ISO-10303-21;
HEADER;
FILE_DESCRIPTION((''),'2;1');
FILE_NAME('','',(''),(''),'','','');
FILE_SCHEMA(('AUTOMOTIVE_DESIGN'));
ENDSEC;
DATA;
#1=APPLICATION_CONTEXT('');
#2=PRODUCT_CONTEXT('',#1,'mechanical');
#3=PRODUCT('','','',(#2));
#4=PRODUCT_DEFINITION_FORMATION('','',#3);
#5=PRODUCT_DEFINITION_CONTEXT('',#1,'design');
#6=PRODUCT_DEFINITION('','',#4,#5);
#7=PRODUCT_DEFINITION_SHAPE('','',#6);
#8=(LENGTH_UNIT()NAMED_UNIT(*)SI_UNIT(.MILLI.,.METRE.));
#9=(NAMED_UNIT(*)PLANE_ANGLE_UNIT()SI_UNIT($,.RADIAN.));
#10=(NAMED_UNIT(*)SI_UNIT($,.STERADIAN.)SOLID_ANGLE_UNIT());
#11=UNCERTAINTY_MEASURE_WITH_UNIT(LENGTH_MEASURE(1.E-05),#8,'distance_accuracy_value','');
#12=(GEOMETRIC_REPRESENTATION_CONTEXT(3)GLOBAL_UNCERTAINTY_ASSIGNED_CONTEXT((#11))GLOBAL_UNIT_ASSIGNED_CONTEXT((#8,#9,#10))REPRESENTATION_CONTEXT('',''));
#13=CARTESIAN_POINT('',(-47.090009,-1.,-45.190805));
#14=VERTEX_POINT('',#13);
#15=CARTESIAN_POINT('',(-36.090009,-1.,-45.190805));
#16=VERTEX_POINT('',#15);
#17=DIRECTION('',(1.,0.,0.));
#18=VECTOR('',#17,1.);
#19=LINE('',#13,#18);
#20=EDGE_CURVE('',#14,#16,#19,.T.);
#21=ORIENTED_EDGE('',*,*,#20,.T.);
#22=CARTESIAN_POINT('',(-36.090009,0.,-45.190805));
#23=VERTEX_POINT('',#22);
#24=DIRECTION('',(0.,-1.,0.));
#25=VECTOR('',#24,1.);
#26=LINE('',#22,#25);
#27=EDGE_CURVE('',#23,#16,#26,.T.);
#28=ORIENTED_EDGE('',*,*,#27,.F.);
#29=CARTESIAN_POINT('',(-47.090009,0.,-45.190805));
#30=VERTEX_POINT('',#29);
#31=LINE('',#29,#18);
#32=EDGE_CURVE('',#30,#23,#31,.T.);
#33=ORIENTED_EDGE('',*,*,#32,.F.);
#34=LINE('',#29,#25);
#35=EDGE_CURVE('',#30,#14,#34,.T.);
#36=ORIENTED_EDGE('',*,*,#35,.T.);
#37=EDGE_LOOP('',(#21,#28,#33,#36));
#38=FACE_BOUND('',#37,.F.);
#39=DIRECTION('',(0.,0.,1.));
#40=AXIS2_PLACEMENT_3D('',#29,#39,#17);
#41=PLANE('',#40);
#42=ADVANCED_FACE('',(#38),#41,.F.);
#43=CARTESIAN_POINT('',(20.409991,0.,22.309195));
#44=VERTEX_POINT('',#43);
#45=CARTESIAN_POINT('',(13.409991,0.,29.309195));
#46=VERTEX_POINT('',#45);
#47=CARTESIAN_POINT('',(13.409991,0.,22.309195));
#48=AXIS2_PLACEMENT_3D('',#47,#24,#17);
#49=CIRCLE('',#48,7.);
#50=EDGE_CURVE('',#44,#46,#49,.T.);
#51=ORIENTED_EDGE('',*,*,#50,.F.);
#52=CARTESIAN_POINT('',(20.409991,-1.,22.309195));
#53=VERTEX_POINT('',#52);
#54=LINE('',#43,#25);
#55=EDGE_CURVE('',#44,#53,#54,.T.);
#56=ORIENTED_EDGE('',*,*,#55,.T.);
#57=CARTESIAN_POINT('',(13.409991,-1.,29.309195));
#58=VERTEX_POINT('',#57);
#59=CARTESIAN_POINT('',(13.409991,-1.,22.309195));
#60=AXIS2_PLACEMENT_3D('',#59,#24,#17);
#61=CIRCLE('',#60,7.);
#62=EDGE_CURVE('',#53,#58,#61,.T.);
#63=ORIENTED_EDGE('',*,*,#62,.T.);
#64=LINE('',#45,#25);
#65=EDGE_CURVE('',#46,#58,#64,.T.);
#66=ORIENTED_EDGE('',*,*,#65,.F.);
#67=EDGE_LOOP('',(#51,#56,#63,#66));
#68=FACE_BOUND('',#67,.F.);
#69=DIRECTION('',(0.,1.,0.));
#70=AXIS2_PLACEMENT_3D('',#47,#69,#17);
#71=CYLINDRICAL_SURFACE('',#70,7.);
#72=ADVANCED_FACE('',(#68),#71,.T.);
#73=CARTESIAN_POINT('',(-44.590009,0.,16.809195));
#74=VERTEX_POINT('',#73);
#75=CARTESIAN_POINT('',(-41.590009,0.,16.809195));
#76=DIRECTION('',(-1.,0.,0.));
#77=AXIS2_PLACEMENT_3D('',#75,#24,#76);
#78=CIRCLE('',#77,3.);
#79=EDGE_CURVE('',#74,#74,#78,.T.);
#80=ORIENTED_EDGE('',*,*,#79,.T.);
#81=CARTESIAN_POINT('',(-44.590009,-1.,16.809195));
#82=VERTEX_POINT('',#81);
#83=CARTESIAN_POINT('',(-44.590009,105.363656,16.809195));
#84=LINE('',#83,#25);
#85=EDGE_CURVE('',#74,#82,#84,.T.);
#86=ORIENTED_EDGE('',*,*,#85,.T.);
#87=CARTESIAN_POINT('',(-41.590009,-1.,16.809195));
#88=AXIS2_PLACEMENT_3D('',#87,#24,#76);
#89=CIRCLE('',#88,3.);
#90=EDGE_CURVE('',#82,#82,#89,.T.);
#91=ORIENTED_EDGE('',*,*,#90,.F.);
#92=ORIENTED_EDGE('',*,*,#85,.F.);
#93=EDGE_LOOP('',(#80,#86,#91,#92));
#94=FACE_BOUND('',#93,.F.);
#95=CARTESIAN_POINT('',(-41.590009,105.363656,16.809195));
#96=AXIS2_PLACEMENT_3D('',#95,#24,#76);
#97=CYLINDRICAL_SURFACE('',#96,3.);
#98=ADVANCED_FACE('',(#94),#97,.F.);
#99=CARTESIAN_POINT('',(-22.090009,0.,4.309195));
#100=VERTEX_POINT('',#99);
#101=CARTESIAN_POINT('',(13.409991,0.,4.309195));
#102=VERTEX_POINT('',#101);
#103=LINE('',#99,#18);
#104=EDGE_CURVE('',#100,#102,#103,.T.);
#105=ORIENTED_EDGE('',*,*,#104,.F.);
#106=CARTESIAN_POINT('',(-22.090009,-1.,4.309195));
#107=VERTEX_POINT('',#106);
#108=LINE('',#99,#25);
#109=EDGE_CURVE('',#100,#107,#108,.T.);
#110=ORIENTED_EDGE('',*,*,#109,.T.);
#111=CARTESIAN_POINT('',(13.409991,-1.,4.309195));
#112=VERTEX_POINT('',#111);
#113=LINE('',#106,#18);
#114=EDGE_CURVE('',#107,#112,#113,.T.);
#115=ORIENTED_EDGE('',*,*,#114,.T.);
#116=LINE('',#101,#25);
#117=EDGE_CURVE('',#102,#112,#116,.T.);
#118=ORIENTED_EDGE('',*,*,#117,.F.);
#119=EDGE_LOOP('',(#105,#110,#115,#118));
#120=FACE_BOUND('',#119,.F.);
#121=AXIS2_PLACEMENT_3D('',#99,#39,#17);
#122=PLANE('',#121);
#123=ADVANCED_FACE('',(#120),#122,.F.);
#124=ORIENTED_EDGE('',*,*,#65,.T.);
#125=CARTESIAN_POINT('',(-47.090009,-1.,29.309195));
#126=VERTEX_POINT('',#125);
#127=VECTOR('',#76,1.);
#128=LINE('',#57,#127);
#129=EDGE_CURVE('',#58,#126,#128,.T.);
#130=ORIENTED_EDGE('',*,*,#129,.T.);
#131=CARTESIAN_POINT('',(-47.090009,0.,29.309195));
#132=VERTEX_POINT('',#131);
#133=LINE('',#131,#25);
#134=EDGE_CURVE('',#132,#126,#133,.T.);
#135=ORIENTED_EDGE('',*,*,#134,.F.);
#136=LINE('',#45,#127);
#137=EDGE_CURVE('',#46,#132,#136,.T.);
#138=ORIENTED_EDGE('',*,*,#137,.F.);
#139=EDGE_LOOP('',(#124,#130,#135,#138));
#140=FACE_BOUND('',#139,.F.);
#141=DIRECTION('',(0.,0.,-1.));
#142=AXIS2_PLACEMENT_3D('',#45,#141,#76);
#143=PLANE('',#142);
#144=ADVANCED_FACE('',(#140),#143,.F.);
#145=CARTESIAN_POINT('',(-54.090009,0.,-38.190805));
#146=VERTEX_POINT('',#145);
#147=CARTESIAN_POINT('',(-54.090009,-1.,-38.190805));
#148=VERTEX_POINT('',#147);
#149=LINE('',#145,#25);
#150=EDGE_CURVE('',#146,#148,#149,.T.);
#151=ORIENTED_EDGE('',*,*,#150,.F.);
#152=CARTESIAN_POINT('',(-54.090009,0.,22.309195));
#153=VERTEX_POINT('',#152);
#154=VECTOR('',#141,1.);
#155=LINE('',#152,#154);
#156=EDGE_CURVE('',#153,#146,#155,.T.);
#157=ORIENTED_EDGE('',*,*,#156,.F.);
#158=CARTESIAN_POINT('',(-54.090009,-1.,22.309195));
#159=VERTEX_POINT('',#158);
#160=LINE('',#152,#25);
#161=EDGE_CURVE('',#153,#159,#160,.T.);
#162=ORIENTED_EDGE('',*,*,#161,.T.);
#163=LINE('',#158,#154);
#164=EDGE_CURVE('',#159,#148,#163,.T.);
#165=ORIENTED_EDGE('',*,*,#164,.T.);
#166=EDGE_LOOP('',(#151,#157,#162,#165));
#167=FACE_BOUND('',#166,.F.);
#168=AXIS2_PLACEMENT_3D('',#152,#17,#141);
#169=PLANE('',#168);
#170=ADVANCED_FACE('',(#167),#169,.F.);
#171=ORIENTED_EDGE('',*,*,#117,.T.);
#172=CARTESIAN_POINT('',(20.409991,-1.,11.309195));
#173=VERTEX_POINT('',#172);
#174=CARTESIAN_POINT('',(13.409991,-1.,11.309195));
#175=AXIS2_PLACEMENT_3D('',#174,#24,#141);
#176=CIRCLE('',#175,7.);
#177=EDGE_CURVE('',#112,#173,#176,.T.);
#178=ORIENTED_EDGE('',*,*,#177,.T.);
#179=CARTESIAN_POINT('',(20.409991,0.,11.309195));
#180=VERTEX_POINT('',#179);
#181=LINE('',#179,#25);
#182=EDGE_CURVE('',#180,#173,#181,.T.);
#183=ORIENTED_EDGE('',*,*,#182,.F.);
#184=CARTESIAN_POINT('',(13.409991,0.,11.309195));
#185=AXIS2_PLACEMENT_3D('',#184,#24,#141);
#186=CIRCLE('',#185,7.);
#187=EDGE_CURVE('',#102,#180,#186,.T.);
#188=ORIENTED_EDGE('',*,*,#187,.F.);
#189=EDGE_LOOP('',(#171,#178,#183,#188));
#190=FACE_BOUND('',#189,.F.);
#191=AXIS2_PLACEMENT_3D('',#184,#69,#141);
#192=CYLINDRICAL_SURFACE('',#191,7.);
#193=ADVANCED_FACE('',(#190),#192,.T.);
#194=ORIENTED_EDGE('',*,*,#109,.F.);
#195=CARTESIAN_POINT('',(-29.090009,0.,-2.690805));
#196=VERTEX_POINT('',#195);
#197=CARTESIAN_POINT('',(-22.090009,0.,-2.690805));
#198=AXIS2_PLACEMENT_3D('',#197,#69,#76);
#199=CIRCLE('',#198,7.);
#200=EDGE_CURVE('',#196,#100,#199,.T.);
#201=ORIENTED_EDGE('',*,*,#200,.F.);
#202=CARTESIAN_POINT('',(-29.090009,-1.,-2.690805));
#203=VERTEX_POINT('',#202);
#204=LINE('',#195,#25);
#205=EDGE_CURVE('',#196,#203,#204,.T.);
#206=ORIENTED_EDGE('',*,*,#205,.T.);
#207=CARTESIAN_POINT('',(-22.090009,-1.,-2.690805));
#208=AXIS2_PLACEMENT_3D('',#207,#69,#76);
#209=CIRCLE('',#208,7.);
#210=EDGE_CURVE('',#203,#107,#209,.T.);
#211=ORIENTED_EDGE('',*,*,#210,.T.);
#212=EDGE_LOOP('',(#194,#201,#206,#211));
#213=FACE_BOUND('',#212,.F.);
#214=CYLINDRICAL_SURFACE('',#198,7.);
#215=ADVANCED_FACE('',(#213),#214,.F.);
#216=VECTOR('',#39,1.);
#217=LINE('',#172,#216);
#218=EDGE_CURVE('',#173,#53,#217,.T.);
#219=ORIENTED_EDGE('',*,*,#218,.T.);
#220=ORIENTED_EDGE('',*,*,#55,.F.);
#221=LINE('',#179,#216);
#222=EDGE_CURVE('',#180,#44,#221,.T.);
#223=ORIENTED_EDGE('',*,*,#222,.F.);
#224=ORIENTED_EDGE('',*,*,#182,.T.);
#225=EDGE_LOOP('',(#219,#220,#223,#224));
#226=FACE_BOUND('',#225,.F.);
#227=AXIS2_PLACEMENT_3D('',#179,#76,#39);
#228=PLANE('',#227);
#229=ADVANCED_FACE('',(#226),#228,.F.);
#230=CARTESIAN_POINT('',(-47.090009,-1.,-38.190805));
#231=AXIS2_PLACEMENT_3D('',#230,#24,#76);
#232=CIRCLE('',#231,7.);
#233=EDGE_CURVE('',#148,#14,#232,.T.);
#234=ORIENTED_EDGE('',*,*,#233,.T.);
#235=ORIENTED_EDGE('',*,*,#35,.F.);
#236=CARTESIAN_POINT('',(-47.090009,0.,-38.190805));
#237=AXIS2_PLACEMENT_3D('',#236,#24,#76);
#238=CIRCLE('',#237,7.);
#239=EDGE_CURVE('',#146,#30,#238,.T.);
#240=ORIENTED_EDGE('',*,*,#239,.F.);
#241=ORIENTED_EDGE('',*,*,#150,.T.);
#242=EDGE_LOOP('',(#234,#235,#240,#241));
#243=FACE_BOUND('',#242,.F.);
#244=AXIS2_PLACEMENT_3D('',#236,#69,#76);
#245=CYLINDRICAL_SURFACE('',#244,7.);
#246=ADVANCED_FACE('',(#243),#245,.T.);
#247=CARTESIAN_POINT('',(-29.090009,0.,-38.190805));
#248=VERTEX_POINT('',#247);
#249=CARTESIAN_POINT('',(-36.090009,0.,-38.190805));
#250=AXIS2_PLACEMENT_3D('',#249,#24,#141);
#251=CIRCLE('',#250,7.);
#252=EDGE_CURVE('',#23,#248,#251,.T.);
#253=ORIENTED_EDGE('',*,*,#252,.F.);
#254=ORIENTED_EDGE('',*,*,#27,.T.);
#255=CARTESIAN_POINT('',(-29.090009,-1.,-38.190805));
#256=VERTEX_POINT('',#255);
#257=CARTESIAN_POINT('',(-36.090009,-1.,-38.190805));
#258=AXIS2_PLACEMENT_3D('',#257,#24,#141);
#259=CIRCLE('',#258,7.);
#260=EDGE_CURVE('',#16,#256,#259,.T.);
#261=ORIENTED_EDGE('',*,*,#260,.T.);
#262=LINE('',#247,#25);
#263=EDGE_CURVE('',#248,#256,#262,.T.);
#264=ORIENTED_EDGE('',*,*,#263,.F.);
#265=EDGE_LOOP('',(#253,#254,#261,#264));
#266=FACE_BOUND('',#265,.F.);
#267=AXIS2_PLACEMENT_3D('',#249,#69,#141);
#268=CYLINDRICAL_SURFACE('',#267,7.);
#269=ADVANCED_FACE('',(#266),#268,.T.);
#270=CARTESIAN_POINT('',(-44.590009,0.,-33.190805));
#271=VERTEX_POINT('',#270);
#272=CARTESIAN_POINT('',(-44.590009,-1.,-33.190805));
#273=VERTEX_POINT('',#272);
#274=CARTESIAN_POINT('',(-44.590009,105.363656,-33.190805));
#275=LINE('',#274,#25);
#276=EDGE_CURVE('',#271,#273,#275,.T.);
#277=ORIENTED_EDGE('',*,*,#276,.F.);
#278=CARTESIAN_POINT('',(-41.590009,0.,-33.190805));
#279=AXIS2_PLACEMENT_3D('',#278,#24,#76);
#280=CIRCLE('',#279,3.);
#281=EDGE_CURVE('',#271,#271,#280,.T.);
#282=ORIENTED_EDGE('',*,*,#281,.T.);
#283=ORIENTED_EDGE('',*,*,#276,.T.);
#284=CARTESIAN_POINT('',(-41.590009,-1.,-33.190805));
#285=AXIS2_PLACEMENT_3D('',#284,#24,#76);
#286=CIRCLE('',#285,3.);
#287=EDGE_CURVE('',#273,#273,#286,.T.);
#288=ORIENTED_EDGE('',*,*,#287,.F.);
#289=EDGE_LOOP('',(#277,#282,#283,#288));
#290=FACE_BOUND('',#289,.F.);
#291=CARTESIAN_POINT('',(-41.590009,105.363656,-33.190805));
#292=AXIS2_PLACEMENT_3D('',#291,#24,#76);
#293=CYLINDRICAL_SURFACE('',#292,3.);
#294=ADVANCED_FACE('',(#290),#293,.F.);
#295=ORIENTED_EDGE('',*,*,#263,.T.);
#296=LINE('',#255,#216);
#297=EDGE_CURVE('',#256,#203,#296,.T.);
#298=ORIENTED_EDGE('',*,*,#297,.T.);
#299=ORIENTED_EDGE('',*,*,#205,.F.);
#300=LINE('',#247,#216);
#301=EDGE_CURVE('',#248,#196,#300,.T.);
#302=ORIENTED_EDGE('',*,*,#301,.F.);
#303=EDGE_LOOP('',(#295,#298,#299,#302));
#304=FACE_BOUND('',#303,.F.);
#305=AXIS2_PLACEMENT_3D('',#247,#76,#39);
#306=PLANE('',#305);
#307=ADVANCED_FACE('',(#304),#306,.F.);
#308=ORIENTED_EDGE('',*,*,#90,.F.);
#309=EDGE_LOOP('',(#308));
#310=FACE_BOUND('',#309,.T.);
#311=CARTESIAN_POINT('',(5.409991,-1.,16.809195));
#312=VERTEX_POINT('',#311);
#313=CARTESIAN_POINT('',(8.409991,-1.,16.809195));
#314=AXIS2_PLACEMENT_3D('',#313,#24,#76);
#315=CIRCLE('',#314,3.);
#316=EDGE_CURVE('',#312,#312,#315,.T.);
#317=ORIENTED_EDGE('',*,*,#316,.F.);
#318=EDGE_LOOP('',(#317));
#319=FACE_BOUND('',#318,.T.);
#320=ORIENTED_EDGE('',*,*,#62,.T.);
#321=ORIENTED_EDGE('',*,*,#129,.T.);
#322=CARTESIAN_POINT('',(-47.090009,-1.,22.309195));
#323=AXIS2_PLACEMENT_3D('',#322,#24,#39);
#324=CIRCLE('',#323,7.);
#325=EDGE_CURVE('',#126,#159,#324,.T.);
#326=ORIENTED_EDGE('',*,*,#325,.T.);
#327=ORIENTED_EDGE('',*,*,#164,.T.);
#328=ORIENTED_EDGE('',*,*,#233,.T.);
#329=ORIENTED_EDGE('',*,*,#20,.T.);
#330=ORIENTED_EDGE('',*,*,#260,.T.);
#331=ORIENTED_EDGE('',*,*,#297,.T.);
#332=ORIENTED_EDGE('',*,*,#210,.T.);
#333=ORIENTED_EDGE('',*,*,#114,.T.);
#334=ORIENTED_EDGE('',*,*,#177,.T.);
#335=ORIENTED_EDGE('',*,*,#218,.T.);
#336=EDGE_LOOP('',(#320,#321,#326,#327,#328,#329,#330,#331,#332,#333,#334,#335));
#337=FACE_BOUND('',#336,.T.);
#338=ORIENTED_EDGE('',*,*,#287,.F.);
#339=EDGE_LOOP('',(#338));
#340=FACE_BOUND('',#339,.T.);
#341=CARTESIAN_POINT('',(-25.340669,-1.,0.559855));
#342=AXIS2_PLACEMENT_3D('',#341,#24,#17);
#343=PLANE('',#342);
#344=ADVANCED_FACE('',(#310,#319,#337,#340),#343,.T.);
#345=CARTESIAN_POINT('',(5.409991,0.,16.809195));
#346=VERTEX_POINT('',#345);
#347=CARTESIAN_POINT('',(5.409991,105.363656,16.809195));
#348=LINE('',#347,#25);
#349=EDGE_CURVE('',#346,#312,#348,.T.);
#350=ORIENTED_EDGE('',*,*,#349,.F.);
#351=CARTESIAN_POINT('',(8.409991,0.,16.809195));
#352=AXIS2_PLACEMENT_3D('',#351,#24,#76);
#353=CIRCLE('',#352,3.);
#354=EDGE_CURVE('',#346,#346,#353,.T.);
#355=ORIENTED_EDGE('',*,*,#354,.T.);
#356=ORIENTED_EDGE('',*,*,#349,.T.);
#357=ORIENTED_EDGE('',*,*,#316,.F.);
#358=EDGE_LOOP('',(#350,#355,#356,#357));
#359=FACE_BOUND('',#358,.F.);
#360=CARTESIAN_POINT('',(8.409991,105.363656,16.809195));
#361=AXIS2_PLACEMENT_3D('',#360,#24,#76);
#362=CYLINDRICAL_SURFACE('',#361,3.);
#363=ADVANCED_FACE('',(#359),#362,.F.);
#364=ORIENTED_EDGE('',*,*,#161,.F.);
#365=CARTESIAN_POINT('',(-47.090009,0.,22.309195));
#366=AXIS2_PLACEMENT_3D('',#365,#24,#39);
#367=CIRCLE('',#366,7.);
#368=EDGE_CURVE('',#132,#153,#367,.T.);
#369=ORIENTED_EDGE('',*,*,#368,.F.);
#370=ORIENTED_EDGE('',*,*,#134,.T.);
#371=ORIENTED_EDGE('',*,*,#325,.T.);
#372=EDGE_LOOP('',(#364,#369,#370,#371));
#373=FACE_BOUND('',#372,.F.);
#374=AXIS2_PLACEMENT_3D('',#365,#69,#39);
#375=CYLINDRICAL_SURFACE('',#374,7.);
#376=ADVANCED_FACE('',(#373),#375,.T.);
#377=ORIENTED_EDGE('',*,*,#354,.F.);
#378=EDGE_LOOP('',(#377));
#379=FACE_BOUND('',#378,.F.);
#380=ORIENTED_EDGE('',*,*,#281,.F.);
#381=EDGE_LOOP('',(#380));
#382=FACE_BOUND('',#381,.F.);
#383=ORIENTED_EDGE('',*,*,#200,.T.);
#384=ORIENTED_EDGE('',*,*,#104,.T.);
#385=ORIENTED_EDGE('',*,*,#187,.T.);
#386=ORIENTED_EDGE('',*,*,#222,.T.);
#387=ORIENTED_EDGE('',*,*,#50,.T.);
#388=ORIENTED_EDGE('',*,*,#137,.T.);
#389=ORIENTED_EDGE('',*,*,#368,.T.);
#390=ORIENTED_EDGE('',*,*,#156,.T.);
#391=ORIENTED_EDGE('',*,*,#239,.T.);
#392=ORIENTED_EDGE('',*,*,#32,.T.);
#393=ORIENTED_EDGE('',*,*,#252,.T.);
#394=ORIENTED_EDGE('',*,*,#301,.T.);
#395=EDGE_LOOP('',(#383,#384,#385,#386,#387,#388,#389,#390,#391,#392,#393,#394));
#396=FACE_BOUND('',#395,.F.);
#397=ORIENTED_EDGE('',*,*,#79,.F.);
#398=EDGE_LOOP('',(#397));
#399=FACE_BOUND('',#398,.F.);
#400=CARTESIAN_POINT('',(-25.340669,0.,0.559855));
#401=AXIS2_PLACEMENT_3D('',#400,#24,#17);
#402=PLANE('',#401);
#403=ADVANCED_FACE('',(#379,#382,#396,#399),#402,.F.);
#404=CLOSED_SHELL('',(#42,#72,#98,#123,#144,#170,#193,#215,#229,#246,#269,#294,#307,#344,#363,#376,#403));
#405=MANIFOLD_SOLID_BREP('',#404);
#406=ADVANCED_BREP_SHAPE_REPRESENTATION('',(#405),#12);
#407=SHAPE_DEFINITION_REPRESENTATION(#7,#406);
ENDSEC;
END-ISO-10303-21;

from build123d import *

# Parameters (mm, degrees)
F1_DEPTH = 1
F2_D     = 6


with BuildPart() as f1:
    # F0 (on Front) → F1 (new body)
    with BuildSketch(Plane.XZ):
        with BuildLine():
            Line((-54.0900086572, 22.3091947654), (-54.0900086572, -38.1908052346))
            ThreePointArc((-54.0900086572, -38.1908052346), (-52.0397561255, -43.1405527029), (-47.0900086572, -45.1908052346))
            Line((-47.0900086572, -45.1908052346), (-36.0900086572, -45.1908052346))
            ThreePointArc((-36.0900086572, -45.1908052346), (-31.1402611889, -43.1405527029), (-29.0900086572, -38.1908052346))
            Line((-29.0900086572, -38.1908052346), (-29.0900086572, -2.6908052346))
            ThreePointArc((-29.0900086572, -2.6908052346), (-27.0397561255, 2.2589422338), (-22.0900086572, 4.3091947654))
            Line((-22.0900086572, 4.3091947654), (13.4099913428, 4.3091947654))
            ThreePointArc((13.4099913428, 4.3091947654), (18.3597388111, 6.3594472971), (20.4099913428, 11.3091947654))
            Line((20.4099913428, 11.3091947654), (20.4099913428, 22.3091947654))
            ThreePointArc((20.4099913428, 22.3091947654), (18.3597388111, 27.2589422338), (13.4099913428, 29.3091947654))
            Line((13.4099913428, 29.3091947654), (-47.0900086572, 29.3091947654))
            ThreePointArc((-47.0900086572, 29.3091947654), (-52.0397561255, 27.2589422338), (-54.0900086572, 22.3091947654))
        make_face()
    extrude(amount=F1_DEPTH)

    # F2 (through all)
    with Locations(Plane(origin=(0, 0, 0), x_dir=(1, 0, 0), z_dir=(0, 1, 0))):
        with Locations((-41.5900086572, -16.8091947654), (8.4099913428, -16.8091947654), (-41.5900086572, 33.1908052346)):
            Hole(F2_D / 2)


solid = f1.part
